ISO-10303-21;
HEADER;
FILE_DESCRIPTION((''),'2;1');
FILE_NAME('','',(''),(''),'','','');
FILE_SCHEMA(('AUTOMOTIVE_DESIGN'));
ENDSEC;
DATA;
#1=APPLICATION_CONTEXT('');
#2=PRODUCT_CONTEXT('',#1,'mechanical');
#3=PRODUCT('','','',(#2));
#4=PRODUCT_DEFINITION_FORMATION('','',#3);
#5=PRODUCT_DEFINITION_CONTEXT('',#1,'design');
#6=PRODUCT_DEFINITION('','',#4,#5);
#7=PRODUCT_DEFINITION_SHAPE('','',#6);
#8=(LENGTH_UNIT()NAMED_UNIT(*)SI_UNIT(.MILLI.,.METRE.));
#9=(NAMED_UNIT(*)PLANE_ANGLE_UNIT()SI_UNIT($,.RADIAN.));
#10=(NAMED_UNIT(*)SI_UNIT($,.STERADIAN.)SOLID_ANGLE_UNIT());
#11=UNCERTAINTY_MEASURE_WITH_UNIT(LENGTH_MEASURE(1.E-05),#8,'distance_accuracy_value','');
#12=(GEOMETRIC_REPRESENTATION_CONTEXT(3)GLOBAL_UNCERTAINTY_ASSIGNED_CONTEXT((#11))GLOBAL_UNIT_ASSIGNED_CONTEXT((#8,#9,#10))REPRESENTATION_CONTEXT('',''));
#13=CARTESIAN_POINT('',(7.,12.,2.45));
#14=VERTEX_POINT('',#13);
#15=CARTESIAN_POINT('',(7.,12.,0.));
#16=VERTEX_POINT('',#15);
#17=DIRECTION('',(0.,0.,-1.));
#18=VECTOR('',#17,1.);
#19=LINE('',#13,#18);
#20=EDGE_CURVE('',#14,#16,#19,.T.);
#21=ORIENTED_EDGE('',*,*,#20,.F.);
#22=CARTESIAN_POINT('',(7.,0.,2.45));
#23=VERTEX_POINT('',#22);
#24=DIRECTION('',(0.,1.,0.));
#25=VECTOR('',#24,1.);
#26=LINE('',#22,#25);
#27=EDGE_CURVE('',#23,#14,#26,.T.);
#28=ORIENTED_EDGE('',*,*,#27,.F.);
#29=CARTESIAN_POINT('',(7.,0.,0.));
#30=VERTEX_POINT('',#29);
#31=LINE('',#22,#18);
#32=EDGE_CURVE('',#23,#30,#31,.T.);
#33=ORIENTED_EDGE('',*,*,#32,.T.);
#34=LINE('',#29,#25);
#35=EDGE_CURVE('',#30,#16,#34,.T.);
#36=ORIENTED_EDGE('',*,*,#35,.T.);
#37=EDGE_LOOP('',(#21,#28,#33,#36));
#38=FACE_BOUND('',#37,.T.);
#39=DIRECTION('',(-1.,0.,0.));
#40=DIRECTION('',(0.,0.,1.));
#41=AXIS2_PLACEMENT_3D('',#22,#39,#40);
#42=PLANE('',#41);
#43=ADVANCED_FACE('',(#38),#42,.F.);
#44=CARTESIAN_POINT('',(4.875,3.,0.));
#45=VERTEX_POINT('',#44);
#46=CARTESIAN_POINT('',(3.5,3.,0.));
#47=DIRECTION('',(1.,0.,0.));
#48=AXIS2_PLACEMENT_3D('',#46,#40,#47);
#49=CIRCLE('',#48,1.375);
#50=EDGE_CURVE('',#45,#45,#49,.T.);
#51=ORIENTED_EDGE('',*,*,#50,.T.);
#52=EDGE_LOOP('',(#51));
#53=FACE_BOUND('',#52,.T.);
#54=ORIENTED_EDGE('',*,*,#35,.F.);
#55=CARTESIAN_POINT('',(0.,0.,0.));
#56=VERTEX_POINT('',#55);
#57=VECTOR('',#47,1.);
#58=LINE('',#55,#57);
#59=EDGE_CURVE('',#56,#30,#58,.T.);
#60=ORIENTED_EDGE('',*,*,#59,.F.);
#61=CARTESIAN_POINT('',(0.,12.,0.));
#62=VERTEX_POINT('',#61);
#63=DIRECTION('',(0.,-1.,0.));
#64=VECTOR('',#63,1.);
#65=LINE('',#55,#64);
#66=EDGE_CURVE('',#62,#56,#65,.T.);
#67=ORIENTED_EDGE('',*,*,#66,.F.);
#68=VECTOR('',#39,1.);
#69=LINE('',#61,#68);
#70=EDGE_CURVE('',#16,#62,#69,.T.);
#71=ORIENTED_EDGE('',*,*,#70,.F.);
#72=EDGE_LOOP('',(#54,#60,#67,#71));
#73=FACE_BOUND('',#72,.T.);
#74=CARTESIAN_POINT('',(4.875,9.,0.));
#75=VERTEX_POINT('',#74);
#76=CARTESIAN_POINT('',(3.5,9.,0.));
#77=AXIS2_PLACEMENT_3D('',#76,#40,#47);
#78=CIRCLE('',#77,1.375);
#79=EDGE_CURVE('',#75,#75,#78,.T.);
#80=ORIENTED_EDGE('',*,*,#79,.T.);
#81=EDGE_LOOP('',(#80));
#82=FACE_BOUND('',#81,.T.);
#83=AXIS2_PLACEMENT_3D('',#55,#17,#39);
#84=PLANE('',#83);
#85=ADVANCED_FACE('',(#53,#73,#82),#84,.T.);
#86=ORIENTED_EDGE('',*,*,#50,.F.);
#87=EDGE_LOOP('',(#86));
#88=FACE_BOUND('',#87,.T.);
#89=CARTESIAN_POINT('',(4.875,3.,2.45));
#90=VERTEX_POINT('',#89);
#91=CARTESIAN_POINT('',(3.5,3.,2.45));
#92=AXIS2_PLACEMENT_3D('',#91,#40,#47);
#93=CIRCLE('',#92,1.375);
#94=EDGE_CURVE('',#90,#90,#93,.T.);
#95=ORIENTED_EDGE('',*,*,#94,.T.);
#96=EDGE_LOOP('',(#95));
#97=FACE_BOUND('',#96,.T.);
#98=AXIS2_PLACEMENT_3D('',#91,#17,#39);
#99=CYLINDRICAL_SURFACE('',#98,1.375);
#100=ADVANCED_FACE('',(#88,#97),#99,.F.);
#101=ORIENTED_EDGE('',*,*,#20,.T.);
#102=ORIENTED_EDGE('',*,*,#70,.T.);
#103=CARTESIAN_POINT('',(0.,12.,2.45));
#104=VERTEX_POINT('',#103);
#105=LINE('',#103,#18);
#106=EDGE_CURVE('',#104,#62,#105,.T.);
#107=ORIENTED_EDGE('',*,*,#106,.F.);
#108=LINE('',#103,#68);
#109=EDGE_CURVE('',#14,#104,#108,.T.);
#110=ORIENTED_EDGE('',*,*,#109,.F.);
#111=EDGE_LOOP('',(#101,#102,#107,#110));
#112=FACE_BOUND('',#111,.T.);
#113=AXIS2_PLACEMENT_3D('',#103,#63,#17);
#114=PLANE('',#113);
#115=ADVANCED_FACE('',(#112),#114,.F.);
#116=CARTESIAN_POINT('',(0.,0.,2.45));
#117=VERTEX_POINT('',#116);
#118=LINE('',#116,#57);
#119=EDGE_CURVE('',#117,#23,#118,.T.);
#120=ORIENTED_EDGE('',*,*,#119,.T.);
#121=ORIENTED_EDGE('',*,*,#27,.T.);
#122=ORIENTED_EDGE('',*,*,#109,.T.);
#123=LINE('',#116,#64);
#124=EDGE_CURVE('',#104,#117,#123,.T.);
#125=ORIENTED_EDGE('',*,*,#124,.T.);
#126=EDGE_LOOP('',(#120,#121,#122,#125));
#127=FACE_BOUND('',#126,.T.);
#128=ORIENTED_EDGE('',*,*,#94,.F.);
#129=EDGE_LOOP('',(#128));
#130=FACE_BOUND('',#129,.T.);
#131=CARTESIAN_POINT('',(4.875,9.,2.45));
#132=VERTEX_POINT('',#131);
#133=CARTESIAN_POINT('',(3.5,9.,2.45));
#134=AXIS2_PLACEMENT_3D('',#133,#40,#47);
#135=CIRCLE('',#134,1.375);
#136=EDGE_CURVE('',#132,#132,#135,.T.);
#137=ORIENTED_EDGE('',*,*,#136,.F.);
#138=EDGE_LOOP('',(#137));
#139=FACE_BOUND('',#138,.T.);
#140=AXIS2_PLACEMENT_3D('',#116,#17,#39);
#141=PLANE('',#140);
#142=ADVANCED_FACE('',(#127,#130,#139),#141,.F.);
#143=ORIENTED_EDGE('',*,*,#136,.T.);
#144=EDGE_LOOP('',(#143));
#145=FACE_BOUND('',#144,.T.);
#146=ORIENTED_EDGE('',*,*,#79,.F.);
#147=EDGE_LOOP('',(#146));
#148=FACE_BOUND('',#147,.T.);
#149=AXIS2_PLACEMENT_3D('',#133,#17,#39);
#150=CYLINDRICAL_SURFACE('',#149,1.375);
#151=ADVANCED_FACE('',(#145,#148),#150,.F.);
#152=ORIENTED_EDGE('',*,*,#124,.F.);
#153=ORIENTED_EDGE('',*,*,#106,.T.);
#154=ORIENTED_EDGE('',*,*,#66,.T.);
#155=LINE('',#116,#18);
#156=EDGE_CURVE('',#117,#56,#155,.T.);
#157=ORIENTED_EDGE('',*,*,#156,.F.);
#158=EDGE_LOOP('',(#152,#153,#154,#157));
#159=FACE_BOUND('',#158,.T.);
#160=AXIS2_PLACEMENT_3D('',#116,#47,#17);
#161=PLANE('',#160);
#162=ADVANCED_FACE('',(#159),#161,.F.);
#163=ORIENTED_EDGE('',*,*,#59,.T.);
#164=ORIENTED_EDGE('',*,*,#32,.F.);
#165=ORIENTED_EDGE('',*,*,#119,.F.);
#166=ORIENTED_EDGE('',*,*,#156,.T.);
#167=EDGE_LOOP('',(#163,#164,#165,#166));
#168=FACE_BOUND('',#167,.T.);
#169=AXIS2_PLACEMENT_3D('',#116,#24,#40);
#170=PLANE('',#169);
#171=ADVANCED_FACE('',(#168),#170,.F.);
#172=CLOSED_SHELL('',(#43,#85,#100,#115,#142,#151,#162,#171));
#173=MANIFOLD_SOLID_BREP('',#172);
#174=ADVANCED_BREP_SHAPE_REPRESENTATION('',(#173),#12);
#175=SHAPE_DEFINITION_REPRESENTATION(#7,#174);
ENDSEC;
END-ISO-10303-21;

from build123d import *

# Parameters (mm, degrees)
SKETCH1_W                 = 7
SKETCH1_H                 = 12
SKETCH1_R                 = 1.375
REARTAILLIGHTSPACER_DEPTH = 2.45


with BuildPart() as part:
    # Sketch1 → rearTailLightSpacer (new body)
    with BuildSketch(Plane.XY):
        with Locations((3.5, 6)):
            Rectangle(SKETCH1_W, SKETCH1_H)
        with Locations((3.5, 3)):
            Circle(SKETCH1_R, mode=Mode.SUBTRACT)
        with Locations((3.5, 9)):
            Circle(SKETCH1_R, mode=Mode.SUBTRACT)
    extrude(amount=REARTAILLIGHTSPACER_DEPTH)


solid = part.part
